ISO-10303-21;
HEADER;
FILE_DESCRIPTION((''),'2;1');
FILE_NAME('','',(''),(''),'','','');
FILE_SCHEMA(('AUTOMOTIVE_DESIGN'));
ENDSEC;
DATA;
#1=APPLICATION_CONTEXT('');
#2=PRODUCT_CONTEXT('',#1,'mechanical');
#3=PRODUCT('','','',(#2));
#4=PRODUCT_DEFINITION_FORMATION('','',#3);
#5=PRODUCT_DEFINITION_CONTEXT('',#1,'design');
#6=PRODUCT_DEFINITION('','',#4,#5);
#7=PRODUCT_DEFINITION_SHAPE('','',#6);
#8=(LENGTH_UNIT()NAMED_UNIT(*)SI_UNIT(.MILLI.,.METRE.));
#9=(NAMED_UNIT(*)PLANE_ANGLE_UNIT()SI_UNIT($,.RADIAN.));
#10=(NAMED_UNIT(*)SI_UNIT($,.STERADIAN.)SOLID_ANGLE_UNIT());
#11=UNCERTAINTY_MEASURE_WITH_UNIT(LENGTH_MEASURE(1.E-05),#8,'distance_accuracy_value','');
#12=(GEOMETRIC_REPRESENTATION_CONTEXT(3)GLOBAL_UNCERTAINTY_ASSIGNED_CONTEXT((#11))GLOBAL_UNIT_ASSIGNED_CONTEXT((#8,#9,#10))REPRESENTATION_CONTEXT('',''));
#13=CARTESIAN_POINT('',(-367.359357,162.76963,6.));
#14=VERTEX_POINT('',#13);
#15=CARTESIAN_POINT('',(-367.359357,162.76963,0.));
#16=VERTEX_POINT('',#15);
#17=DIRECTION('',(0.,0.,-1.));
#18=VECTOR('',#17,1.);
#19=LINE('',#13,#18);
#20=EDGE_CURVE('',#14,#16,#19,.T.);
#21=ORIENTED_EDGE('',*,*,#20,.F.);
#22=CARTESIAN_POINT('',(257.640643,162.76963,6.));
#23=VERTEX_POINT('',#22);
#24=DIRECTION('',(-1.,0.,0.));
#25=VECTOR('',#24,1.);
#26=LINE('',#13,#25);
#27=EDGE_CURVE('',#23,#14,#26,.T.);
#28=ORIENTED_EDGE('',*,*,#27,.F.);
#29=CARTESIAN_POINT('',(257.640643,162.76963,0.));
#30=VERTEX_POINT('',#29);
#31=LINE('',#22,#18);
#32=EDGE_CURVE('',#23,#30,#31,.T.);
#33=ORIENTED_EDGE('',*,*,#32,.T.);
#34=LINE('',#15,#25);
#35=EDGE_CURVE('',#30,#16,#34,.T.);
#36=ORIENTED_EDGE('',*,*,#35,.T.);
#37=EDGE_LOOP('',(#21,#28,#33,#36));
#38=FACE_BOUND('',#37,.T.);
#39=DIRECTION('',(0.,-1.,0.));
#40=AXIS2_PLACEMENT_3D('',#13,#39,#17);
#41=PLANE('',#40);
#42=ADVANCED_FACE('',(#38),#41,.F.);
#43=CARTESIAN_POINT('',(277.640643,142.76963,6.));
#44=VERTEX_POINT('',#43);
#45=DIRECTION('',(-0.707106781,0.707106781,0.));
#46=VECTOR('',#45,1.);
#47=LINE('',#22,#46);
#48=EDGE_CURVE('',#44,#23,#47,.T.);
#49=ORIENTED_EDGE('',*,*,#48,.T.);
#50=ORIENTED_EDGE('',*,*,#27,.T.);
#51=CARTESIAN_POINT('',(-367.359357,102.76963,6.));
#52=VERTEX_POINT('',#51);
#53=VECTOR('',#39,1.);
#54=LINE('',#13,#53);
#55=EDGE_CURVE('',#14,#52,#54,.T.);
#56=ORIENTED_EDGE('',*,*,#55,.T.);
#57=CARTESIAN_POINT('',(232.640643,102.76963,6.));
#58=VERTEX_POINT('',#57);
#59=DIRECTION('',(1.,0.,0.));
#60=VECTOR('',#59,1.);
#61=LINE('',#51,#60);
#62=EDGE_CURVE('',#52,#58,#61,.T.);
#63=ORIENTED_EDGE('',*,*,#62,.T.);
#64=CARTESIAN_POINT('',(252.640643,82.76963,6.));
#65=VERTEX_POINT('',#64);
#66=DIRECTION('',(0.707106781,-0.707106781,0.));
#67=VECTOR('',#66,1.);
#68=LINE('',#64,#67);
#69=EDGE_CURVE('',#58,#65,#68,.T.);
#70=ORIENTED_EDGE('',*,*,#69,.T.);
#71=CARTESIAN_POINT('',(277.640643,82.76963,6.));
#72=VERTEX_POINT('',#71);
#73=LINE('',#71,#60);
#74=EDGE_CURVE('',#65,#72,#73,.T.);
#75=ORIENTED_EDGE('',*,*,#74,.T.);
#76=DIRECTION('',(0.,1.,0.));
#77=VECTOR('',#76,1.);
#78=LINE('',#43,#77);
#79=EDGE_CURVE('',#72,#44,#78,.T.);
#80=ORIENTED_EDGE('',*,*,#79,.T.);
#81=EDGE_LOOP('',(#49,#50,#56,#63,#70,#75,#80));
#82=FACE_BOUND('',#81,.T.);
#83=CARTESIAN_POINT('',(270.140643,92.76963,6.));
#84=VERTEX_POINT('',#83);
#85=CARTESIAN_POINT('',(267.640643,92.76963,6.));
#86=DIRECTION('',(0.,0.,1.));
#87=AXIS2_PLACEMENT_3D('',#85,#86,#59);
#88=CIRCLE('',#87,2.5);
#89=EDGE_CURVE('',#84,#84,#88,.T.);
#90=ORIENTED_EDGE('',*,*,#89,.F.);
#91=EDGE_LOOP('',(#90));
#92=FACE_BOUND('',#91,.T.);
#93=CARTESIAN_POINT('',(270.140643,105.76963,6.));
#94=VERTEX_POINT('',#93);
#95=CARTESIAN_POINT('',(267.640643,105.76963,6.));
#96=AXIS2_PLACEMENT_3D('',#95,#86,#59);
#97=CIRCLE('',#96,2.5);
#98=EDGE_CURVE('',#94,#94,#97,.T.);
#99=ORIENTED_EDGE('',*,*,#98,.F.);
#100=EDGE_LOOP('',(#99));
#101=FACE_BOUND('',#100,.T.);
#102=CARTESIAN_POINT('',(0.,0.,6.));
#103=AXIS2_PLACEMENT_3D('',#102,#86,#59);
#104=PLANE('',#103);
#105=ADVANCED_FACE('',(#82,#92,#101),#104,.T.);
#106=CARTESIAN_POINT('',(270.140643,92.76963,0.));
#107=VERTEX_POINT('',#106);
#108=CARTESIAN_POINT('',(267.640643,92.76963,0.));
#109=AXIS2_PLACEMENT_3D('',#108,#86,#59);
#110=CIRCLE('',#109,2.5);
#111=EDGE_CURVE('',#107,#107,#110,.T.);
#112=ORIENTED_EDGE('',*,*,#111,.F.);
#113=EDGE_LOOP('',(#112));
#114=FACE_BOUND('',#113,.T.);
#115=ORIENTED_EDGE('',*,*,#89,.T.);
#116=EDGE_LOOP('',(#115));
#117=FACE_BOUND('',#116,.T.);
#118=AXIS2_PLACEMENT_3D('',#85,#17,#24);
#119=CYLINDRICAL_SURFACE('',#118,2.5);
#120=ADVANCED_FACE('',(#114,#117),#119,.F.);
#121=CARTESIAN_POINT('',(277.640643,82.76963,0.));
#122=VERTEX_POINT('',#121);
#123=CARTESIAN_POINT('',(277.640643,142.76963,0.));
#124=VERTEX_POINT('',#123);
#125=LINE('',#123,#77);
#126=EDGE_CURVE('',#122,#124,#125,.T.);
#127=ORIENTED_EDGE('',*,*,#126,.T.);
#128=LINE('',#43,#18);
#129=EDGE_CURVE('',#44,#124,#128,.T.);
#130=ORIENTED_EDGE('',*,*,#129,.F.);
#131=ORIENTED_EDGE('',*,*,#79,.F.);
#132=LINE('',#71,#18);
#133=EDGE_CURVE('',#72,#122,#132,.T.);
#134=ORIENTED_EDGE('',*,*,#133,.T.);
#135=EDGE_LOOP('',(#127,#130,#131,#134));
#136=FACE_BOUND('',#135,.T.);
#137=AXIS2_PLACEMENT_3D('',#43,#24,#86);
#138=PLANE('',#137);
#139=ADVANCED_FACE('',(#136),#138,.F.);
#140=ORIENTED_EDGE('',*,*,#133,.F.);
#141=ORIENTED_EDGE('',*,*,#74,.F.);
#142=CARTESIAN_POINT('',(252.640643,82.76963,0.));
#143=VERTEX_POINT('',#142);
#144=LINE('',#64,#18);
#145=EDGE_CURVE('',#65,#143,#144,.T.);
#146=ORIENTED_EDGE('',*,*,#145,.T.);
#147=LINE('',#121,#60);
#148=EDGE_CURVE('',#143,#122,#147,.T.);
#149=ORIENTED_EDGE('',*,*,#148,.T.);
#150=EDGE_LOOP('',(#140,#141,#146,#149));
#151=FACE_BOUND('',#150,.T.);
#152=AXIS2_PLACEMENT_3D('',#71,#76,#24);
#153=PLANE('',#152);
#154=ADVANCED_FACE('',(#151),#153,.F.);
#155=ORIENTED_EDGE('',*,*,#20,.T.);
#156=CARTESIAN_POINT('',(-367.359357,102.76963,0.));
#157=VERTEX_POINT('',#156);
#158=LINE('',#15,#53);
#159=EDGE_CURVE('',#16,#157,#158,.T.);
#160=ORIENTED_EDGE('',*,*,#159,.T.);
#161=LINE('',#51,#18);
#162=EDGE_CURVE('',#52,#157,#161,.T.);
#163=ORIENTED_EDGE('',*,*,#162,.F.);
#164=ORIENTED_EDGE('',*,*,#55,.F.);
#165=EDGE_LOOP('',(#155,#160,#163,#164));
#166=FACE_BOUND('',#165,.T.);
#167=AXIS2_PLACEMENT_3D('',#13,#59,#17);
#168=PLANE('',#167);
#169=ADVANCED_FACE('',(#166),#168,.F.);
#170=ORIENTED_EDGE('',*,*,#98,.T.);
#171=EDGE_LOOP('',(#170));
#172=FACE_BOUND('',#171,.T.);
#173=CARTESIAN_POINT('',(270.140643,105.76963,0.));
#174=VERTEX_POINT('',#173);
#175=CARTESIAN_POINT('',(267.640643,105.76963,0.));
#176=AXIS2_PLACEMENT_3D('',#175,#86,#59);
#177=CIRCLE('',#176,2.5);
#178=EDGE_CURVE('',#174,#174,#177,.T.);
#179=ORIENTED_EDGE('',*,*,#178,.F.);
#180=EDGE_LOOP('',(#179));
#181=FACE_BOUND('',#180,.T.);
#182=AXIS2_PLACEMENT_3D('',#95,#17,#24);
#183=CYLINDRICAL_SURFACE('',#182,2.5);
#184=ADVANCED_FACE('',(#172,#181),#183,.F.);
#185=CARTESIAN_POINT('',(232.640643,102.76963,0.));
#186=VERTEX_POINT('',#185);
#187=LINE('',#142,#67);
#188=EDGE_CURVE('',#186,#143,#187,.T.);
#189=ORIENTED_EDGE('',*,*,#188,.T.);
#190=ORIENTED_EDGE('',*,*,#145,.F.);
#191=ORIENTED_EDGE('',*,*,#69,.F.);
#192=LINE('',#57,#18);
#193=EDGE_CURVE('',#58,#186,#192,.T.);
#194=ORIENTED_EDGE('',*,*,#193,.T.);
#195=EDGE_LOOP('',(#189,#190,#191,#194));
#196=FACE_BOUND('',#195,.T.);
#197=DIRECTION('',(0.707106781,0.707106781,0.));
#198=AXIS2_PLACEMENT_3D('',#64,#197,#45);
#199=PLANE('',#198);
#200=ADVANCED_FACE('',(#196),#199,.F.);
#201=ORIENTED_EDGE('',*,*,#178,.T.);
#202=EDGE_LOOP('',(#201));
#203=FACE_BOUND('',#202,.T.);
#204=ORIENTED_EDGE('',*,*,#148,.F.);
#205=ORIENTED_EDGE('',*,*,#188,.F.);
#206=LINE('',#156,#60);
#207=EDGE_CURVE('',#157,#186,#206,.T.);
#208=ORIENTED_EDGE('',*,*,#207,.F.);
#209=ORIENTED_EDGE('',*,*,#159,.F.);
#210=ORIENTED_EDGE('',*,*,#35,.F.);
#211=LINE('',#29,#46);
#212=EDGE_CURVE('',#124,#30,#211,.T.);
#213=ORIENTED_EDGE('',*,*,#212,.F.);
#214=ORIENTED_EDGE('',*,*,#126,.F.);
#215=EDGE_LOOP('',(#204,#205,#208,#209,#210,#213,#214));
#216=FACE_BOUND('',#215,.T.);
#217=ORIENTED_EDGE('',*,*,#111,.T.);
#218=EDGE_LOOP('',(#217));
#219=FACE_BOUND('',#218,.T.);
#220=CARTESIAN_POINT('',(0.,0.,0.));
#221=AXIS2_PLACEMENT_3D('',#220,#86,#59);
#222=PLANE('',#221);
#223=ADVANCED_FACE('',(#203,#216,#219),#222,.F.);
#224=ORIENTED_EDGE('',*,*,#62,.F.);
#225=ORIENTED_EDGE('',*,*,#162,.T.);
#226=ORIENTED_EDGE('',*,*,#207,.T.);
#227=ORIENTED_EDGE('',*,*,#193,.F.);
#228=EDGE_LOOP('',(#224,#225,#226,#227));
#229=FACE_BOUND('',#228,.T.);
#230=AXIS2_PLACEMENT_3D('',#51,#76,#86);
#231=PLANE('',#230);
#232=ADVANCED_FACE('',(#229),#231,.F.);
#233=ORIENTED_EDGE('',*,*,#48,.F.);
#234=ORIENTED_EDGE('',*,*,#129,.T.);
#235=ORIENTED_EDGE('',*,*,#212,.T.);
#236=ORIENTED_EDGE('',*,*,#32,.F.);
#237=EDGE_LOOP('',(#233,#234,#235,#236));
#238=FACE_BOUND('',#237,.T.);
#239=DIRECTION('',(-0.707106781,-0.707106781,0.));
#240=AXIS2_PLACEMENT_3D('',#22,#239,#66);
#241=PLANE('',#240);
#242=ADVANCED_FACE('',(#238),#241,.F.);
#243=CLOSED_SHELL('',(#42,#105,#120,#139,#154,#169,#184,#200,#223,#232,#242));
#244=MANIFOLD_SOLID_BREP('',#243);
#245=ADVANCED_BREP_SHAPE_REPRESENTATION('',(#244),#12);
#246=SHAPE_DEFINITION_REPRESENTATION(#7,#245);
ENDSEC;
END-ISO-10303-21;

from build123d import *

# Parameters (mm, degrees)
SKETCH1_R           = 2.5
BOSS_EXTRUDE1_DEPTH = 6


with BuildPart() as part:
    # Sketch1 → Boss-Extrude1 (new body)
    with BuildSketch(Plane.XY):
        Polygon((257.640643246, 162.769630368), (277.640643246, 142.769630368), (277.640643246, 82.769630368), (252.640643246, 82.769630368), (232.640643246, 102.769630368), (-367.359356754, 102.769630368), (-367.359356754, 162.769630368), align=None)
        with Locations((267.640643246, 105.769630368)):
            Circle(SKETCH1_R, mode=Mode.SUBTRACT)
        with Locations((267.640643246, 92.769630368)):
            Circle(SKETCH1_R, mode=Mode.SUBTRACT)
    extrude(amount=BOSS_EXTRUDE1_DEPTH)


solid = part.part
